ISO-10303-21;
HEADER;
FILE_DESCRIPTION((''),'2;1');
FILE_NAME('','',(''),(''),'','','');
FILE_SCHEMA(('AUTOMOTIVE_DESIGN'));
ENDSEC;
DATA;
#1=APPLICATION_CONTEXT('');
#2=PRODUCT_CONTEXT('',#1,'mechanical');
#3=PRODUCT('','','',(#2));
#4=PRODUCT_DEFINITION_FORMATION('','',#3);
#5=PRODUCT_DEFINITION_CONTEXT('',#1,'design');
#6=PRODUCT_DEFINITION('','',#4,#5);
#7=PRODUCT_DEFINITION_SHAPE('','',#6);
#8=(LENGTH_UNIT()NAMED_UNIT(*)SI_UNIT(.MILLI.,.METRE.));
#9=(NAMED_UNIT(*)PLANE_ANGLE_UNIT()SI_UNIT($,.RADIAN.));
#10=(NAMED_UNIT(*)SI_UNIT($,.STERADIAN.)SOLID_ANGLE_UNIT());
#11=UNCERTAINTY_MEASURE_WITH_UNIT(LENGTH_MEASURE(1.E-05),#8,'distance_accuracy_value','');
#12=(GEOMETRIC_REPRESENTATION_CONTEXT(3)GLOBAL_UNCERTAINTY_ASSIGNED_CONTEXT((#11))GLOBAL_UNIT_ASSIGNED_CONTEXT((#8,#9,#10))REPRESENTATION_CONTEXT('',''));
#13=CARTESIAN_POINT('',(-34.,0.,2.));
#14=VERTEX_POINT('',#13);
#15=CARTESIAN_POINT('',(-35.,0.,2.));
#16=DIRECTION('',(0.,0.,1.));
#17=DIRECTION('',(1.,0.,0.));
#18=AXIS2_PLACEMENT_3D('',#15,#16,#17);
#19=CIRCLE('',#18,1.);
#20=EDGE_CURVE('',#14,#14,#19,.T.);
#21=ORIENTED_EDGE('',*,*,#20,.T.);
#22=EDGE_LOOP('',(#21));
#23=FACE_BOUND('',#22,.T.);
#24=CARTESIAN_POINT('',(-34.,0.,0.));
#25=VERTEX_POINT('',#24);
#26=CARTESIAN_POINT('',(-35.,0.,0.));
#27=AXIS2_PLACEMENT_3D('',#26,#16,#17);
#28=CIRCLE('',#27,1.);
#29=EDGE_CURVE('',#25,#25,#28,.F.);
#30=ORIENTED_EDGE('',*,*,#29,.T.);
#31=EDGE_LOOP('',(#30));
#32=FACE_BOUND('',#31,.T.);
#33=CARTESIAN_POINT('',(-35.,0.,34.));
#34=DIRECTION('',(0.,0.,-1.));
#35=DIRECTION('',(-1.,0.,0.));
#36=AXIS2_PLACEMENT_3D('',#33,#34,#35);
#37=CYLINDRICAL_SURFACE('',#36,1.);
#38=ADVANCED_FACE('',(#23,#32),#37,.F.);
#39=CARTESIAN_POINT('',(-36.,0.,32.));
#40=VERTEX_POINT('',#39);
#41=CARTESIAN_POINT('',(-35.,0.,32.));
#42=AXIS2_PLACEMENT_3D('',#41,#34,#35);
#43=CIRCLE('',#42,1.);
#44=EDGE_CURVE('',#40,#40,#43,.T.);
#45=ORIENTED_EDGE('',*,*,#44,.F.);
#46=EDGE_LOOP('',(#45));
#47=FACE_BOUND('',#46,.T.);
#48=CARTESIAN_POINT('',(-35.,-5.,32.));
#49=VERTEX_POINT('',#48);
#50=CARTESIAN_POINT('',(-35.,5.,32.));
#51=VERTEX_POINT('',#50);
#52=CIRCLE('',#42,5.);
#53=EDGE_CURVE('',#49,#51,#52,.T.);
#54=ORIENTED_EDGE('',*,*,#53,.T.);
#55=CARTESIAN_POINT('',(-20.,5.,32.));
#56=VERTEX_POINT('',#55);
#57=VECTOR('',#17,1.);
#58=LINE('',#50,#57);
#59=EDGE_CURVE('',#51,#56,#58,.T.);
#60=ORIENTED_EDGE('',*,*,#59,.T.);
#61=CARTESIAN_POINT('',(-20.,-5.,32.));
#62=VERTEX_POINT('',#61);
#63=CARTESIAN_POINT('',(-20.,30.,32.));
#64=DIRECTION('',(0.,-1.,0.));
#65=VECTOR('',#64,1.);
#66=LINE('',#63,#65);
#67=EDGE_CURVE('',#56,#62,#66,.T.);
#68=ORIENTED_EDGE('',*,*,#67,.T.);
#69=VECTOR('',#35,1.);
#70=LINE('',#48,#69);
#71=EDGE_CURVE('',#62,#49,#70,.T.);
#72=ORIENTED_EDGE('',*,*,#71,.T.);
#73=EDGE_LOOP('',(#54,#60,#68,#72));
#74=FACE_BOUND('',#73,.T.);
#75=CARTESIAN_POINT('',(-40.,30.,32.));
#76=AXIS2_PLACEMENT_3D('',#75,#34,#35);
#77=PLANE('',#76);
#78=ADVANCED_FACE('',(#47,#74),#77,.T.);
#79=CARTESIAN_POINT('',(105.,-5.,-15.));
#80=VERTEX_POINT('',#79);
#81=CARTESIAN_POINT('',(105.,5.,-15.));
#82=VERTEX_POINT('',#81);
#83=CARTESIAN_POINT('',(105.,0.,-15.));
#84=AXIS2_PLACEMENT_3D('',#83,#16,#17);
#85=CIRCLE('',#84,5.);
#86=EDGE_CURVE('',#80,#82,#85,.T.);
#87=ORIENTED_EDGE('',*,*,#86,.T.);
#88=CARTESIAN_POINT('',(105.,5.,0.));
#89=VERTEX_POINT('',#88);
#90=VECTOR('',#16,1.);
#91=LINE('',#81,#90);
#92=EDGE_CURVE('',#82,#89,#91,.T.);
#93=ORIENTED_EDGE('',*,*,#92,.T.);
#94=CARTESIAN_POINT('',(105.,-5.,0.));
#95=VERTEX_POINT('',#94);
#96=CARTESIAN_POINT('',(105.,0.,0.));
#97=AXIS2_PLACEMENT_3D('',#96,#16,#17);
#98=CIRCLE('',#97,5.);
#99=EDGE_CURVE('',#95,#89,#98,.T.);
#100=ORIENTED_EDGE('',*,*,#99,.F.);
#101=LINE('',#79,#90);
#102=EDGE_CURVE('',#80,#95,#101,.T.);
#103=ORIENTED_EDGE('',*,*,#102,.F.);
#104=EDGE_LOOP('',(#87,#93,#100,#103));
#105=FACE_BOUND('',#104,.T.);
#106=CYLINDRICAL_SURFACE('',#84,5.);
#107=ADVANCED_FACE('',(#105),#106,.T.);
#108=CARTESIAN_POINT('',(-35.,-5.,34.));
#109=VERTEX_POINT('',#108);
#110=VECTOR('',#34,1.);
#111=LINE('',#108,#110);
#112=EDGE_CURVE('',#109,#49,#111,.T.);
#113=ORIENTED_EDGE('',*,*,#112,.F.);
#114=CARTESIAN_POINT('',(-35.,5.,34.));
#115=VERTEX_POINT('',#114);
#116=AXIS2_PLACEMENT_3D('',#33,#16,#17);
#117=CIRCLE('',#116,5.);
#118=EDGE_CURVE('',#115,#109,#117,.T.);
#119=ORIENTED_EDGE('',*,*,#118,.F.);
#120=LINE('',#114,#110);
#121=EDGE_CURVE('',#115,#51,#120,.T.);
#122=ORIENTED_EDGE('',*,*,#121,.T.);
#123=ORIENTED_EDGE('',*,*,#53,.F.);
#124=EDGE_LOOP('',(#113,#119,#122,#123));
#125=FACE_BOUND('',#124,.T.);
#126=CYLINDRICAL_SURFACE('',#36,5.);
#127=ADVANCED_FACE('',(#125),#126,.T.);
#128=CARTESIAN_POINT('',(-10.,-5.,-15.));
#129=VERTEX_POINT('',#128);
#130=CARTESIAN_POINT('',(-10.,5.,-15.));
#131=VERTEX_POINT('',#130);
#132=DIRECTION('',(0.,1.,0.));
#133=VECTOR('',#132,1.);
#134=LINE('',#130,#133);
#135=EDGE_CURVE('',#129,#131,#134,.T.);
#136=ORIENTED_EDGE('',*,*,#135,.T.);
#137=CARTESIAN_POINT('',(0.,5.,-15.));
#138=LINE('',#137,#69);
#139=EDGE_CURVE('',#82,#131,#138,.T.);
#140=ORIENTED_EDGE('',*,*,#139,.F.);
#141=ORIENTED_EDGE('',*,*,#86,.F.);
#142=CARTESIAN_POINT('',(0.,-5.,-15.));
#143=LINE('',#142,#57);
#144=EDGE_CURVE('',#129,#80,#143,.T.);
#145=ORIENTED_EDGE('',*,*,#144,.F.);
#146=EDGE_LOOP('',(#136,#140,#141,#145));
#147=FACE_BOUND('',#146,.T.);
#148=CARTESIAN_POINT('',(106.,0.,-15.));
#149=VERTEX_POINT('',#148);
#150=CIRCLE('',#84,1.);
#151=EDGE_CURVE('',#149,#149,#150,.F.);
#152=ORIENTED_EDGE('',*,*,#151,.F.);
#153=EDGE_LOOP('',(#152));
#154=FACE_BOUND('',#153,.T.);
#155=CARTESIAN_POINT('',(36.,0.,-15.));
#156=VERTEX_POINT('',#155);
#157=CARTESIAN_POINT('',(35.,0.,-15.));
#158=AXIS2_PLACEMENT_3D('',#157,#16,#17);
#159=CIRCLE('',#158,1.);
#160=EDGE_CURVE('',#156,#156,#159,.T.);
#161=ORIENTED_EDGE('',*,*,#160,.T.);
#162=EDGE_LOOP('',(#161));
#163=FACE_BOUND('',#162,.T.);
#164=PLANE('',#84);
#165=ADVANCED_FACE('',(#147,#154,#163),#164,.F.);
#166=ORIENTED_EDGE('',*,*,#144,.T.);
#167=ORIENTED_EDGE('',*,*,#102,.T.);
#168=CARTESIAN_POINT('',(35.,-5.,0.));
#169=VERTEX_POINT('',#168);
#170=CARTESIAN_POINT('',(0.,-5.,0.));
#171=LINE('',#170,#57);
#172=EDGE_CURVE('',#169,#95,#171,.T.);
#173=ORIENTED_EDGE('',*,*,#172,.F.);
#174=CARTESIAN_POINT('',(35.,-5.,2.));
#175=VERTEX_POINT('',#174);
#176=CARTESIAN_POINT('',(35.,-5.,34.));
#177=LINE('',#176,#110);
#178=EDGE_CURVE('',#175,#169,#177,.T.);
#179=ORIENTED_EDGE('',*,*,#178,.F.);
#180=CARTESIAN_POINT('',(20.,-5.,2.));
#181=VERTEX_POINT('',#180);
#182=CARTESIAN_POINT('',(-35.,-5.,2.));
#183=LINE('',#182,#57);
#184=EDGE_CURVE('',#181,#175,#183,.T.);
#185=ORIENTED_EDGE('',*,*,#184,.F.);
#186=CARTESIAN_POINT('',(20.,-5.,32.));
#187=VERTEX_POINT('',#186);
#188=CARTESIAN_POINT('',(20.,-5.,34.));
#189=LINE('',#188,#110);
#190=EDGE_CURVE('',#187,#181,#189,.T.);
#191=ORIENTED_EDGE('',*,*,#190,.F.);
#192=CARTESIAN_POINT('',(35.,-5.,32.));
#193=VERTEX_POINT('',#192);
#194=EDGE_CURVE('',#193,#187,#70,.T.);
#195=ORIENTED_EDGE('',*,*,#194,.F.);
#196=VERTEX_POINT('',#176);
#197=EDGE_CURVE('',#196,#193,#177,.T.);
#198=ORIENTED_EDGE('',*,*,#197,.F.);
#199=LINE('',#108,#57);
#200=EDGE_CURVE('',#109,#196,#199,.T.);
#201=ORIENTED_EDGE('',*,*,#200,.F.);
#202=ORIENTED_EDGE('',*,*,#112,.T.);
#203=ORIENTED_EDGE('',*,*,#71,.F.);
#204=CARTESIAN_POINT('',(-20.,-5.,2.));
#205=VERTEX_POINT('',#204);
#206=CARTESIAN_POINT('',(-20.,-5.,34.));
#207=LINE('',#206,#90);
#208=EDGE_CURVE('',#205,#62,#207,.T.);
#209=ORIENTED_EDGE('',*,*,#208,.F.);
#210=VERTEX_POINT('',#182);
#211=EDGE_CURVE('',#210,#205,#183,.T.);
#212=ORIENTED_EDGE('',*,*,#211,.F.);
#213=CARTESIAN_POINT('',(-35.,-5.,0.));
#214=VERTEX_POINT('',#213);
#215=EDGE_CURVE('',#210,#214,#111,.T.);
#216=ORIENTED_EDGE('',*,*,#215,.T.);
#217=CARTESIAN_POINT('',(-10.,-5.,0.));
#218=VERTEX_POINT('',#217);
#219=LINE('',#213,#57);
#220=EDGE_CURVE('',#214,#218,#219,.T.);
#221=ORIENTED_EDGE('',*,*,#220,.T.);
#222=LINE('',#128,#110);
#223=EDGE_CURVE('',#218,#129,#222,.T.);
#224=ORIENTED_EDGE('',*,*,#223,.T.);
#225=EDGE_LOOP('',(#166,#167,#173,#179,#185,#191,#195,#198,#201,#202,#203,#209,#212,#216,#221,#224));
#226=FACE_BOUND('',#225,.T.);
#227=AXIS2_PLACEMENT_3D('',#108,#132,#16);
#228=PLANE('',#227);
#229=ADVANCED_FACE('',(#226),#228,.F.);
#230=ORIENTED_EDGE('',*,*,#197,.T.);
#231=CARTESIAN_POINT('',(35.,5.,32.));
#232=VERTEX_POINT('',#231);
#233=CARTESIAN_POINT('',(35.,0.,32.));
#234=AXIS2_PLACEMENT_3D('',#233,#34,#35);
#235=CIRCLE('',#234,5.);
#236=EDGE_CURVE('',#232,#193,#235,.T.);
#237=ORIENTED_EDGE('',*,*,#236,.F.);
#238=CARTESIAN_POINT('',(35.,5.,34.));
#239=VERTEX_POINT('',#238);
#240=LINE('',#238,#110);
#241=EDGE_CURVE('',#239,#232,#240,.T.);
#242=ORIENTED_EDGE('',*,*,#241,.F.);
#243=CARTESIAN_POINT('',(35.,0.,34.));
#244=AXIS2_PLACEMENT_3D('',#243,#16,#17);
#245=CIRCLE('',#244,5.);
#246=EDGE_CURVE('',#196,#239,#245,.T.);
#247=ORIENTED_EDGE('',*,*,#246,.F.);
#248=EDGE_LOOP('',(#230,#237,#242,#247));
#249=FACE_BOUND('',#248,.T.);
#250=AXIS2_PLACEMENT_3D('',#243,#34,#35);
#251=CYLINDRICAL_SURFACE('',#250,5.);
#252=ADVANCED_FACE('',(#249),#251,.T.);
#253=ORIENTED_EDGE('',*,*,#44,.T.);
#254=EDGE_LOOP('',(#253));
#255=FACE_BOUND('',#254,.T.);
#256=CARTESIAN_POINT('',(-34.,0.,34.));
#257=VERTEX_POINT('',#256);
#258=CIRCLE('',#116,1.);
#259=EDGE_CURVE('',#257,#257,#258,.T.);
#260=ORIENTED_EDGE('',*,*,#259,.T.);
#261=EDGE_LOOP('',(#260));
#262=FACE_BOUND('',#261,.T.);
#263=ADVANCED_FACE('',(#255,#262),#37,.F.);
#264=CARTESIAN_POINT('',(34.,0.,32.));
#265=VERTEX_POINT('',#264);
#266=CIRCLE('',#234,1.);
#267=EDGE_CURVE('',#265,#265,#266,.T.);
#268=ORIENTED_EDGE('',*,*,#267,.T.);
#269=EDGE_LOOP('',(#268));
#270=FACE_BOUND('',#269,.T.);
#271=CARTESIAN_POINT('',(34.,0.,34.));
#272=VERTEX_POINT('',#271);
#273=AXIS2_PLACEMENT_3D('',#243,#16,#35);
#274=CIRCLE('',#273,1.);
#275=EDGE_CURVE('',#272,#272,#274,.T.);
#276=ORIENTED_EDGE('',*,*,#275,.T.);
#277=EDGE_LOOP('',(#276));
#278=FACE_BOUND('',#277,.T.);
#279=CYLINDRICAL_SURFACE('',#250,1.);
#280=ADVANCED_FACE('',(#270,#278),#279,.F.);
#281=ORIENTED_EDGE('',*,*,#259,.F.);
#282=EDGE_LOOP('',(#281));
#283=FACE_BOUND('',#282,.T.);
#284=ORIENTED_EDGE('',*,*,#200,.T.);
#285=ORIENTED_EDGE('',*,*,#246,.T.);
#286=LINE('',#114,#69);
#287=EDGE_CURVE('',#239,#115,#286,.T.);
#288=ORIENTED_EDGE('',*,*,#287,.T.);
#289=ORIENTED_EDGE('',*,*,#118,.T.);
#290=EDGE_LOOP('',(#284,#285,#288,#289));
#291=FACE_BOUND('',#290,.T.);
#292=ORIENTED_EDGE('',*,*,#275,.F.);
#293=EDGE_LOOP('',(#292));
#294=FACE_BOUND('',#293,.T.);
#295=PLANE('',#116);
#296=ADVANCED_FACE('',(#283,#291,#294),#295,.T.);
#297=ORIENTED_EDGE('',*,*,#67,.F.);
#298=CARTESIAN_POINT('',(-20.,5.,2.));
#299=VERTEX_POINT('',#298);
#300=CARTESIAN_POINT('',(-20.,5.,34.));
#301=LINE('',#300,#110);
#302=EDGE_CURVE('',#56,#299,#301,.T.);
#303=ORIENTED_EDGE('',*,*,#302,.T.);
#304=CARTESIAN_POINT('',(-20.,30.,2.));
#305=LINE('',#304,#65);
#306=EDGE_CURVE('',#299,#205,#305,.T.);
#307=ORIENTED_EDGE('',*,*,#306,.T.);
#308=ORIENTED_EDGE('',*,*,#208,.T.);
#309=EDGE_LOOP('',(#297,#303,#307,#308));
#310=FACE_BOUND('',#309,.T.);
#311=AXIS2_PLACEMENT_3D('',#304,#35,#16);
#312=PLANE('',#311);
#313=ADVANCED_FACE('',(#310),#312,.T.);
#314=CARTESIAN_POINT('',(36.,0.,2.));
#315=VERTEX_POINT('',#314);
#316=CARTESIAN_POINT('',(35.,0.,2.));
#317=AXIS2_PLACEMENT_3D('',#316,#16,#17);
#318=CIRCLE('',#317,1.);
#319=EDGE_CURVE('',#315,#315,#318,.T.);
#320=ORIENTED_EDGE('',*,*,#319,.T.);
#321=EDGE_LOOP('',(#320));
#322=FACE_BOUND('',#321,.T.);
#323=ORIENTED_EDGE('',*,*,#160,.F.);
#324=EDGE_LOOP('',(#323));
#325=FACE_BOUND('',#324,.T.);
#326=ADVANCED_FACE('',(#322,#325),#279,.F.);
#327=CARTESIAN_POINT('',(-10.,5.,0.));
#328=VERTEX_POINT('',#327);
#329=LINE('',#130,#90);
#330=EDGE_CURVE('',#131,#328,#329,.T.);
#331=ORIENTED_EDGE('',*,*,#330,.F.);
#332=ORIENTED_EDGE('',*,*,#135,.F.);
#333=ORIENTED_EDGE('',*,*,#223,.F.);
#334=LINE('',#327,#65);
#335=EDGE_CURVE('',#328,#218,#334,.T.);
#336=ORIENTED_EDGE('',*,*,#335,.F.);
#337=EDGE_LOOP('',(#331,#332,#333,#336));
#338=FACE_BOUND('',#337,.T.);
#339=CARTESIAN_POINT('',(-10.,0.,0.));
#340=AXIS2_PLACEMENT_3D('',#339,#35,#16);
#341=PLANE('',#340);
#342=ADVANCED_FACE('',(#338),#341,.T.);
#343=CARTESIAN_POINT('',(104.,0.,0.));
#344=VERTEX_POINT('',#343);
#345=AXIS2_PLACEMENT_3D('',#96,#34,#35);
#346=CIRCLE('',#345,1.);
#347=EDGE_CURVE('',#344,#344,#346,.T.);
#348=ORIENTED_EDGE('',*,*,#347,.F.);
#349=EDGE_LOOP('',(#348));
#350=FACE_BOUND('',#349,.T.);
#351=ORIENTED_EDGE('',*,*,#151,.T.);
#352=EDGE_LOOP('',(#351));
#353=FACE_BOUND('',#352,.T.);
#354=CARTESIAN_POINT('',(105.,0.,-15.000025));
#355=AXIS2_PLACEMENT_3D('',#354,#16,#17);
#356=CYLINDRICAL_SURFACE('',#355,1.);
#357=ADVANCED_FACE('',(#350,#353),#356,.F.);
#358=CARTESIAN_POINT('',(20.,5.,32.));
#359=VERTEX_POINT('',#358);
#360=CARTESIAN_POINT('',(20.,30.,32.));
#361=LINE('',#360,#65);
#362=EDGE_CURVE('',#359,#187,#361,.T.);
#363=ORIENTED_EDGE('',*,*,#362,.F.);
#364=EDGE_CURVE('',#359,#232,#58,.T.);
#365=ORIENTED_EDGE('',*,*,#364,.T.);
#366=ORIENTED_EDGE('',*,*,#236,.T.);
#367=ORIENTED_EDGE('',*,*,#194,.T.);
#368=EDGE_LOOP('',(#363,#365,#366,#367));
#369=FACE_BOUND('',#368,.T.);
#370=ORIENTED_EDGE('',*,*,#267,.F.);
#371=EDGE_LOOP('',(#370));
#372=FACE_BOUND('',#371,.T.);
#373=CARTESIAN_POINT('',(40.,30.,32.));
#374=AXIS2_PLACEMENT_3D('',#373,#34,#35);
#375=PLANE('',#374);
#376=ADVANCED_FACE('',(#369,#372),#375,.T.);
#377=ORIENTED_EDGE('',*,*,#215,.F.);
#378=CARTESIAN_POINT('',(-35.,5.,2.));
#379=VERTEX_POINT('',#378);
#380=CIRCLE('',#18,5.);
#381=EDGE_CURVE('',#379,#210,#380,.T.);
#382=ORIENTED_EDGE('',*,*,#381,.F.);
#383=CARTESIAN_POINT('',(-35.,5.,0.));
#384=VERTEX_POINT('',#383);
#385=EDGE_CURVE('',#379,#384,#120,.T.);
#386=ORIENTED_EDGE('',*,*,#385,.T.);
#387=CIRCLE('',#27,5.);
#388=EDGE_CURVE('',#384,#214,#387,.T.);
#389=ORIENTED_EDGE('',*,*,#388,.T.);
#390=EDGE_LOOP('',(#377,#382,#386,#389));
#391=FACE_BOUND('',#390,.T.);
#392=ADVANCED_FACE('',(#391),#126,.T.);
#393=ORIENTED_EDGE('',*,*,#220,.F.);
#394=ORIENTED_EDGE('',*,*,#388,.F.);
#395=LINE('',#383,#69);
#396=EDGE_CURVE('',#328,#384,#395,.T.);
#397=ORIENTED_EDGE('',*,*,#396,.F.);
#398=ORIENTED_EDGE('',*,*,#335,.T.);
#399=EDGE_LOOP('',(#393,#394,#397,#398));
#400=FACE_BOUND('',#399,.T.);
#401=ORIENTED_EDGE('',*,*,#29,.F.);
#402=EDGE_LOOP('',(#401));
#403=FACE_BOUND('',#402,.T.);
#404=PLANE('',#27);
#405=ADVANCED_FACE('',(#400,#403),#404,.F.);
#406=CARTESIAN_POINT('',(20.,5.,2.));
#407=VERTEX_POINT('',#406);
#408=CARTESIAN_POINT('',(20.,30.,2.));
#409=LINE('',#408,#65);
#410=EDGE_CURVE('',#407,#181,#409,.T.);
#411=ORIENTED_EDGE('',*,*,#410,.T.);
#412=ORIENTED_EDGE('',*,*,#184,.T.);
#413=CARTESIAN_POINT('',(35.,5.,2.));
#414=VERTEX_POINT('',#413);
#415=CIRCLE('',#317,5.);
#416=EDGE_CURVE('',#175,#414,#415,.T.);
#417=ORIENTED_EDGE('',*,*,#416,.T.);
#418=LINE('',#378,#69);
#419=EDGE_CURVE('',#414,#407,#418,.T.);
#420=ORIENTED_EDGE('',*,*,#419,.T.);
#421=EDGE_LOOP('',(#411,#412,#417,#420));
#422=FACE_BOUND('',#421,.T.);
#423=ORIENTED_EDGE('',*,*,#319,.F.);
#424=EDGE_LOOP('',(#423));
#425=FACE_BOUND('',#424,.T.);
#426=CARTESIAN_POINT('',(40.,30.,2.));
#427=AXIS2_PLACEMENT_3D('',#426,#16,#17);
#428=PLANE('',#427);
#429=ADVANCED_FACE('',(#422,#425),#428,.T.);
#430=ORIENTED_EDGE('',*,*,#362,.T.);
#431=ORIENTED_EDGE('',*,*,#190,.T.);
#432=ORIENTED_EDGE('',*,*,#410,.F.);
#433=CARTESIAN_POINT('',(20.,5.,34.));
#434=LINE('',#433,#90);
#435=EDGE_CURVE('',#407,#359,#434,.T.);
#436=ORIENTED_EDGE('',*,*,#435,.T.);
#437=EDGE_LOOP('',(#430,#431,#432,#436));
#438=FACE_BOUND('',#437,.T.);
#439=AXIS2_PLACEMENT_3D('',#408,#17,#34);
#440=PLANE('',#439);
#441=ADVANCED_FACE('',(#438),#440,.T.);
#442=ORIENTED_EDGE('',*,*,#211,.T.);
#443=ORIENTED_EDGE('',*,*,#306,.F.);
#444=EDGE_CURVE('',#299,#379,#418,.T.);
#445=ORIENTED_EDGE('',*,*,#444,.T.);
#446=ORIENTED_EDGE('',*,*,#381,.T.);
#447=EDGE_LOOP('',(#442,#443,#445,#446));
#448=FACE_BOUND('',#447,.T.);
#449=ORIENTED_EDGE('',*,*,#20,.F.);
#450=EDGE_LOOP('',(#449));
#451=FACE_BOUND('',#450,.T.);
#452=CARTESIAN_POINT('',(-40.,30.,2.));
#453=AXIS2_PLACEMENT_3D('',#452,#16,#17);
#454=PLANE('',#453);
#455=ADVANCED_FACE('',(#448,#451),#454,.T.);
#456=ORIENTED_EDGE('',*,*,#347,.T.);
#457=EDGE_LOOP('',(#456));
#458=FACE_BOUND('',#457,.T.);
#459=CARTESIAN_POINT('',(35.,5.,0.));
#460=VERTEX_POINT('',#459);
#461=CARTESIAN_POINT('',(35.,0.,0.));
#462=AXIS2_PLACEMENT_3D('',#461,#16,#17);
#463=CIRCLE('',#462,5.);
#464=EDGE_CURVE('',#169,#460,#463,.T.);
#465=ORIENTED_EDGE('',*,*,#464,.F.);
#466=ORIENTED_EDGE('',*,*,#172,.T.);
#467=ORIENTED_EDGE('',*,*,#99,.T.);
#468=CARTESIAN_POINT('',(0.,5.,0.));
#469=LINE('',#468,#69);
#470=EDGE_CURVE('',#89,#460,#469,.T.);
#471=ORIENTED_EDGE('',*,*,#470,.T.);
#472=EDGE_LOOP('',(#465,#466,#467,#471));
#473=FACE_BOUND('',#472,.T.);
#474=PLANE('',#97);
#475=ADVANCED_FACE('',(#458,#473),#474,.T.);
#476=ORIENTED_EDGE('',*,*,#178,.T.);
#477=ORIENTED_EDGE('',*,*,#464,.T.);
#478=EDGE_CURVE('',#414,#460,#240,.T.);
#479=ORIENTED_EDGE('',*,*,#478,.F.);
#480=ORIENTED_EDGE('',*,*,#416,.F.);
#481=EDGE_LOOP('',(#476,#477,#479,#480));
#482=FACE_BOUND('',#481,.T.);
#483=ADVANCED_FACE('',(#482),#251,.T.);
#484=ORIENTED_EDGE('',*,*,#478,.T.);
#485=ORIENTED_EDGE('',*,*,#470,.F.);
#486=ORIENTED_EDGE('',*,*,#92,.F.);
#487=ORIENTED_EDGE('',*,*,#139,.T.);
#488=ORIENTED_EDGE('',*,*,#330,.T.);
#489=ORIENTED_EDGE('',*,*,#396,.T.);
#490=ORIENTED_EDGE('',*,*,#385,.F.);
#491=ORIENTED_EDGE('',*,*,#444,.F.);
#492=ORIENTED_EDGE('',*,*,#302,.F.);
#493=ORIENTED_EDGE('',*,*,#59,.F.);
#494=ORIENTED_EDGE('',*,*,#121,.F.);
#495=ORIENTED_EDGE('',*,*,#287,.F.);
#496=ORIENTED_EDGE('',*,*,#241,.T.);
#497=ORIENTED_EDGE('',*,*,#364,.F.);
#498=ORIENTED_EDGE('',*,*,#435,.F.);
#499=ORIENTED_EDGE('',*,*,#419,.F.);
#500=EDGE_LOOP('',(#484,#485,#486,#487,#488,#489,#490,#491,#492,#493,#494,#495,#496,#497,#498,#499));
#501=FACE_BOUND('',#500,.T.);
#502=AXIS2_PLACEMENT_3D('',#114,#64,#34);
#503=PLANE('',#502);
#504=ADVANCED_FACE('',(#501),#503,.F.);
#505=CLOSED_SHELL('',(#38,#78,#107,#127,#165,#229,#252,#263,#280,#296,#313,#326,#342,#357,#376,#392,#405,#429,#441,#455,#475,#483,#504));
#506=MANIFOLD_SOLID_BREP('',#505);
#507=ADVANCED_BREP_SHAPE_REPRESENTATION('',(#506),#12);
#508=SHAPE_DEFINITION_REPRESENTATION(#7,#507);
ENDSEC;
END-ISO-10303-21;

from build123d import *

# Parameters (mm, degrees)
EXTRUDE_1_DEPTH          = 34
SKETCH_2_R               = 1
CUT_EXTRUDE_4_DEPTH      = 35
CUT_EXTRUDE_4_DEPTH_BACK = 30
SKETCH_3_W               = 20
SKETCH_3_H               = 30
CUT_EXTRUDE_5_DEPTH      = 30
CUT_EXTRUDE_5_DEPTH_BACK = 30
EXTRUDE_4_DEPTH          = 15
SKETCH_5_R               = 1
CUT_EXTRUDE_7_DEPTH      = 16
SKETCH_6_W               = 15
SKETCH_6_H               = 10
EXTRUDE_5_DEPTH          = 10


with BuildPart() as part:
    # 草圖1 → 填料-伸長1 (new body)
    with BuildSketch(Plane.XY):
        with BuildLine():
            Line((-35, 5), (35, 5))
            ThreePointArc((35, 5), (40, 0), (35, -5))
            Line((35, -5), (-35, -5))
            ThreePointArc((-35, -5), (-40, 0), (-35, 5))
        make_face()
    extrude(amount=EXTRUDE_1_DEPTH)

    # 草圖2 → 除料-伸長4 (cut, two sides)
    with BuildSketch(Plane.XY) as cut_extrude_4_sk:
        with Locations((-35, 0)):
            Circle(SKETCH_2_R)
        with Locations((35, 0)):
            Circle(SKETCH_2_R)
    extrude(amount=CUT_EXTRUDE_4_DEPTH, mode=Mode.SUBTRACT)
    extrude(cut_extrude_4_sk.sketch, amount=-CUT_EXTRUDE_4_DEPTH_BACK, mode=Mode.SUBTRACT)

    # 草圖3 → 除料-伸長5 (cut, two sides)
    with BuildSketch(Plane(origin=(0, 0, 0), x_dir=(1, 0, 0), z_dir=(0, 1, 0))) as cut_extrude_5_sk:
        with Locations((-30, -17)):
            Rectangle(SKETCH_3_W, SKETCH_3_H)
        with Locations((30, -17)):
            Rectangle(SKETCH_3_W, SKETCH_3_H)
    extrude(amount=CUT_EXTRUDE_5_DEPTH, mode=Mode.SUBTRACT)
    extrude(cut_extrude_5_sk.sketch, amount=-CUT_EXTRUDE_5_DEPTH_BACK, mode=Mode.SUBTRACT)

    # 草圖4 → 填料-伸長4 (add)
    with BuildSketch(Plane.XY):
        with BuildLine():
            Line((0, 5), (105, 5))
            ThreePointArc((105, 5), (110, 0), (105, -5))
            Line((105, -5), (0, -5))
            Line((0, -5), (0, 5))
        make_face()
    extrude(amount=-EXTRUDE_4_DEPTH)

    # 草圖5 → 除料-伸長7 (cut, through all)
    with BuildSketch(Plane.XY):
        with Locations((35, 0)):
            Circle(SKETCH_5_R)
        with Locations((105, 0)):
            Circle(SKETCH_5_R)
    extrude(amount=-CUT_EXTRUDE_7_DEPTH, mode=Mode.SUBTRACT)

    # 草圖6 → 填料-伸長5 (add)
    with BuildSketch(Plane(origin=(0, 0, 0), x_dir=(0, 0, -1), z_dir=(1, 0, 0))):
        with Locations((7.5, 0)):
            Rectangle(SKETCH_6_W, SKETCH_6_H)
    extrude(amount=-EXTRUDE_5_DEPTH)


solid = part.part
